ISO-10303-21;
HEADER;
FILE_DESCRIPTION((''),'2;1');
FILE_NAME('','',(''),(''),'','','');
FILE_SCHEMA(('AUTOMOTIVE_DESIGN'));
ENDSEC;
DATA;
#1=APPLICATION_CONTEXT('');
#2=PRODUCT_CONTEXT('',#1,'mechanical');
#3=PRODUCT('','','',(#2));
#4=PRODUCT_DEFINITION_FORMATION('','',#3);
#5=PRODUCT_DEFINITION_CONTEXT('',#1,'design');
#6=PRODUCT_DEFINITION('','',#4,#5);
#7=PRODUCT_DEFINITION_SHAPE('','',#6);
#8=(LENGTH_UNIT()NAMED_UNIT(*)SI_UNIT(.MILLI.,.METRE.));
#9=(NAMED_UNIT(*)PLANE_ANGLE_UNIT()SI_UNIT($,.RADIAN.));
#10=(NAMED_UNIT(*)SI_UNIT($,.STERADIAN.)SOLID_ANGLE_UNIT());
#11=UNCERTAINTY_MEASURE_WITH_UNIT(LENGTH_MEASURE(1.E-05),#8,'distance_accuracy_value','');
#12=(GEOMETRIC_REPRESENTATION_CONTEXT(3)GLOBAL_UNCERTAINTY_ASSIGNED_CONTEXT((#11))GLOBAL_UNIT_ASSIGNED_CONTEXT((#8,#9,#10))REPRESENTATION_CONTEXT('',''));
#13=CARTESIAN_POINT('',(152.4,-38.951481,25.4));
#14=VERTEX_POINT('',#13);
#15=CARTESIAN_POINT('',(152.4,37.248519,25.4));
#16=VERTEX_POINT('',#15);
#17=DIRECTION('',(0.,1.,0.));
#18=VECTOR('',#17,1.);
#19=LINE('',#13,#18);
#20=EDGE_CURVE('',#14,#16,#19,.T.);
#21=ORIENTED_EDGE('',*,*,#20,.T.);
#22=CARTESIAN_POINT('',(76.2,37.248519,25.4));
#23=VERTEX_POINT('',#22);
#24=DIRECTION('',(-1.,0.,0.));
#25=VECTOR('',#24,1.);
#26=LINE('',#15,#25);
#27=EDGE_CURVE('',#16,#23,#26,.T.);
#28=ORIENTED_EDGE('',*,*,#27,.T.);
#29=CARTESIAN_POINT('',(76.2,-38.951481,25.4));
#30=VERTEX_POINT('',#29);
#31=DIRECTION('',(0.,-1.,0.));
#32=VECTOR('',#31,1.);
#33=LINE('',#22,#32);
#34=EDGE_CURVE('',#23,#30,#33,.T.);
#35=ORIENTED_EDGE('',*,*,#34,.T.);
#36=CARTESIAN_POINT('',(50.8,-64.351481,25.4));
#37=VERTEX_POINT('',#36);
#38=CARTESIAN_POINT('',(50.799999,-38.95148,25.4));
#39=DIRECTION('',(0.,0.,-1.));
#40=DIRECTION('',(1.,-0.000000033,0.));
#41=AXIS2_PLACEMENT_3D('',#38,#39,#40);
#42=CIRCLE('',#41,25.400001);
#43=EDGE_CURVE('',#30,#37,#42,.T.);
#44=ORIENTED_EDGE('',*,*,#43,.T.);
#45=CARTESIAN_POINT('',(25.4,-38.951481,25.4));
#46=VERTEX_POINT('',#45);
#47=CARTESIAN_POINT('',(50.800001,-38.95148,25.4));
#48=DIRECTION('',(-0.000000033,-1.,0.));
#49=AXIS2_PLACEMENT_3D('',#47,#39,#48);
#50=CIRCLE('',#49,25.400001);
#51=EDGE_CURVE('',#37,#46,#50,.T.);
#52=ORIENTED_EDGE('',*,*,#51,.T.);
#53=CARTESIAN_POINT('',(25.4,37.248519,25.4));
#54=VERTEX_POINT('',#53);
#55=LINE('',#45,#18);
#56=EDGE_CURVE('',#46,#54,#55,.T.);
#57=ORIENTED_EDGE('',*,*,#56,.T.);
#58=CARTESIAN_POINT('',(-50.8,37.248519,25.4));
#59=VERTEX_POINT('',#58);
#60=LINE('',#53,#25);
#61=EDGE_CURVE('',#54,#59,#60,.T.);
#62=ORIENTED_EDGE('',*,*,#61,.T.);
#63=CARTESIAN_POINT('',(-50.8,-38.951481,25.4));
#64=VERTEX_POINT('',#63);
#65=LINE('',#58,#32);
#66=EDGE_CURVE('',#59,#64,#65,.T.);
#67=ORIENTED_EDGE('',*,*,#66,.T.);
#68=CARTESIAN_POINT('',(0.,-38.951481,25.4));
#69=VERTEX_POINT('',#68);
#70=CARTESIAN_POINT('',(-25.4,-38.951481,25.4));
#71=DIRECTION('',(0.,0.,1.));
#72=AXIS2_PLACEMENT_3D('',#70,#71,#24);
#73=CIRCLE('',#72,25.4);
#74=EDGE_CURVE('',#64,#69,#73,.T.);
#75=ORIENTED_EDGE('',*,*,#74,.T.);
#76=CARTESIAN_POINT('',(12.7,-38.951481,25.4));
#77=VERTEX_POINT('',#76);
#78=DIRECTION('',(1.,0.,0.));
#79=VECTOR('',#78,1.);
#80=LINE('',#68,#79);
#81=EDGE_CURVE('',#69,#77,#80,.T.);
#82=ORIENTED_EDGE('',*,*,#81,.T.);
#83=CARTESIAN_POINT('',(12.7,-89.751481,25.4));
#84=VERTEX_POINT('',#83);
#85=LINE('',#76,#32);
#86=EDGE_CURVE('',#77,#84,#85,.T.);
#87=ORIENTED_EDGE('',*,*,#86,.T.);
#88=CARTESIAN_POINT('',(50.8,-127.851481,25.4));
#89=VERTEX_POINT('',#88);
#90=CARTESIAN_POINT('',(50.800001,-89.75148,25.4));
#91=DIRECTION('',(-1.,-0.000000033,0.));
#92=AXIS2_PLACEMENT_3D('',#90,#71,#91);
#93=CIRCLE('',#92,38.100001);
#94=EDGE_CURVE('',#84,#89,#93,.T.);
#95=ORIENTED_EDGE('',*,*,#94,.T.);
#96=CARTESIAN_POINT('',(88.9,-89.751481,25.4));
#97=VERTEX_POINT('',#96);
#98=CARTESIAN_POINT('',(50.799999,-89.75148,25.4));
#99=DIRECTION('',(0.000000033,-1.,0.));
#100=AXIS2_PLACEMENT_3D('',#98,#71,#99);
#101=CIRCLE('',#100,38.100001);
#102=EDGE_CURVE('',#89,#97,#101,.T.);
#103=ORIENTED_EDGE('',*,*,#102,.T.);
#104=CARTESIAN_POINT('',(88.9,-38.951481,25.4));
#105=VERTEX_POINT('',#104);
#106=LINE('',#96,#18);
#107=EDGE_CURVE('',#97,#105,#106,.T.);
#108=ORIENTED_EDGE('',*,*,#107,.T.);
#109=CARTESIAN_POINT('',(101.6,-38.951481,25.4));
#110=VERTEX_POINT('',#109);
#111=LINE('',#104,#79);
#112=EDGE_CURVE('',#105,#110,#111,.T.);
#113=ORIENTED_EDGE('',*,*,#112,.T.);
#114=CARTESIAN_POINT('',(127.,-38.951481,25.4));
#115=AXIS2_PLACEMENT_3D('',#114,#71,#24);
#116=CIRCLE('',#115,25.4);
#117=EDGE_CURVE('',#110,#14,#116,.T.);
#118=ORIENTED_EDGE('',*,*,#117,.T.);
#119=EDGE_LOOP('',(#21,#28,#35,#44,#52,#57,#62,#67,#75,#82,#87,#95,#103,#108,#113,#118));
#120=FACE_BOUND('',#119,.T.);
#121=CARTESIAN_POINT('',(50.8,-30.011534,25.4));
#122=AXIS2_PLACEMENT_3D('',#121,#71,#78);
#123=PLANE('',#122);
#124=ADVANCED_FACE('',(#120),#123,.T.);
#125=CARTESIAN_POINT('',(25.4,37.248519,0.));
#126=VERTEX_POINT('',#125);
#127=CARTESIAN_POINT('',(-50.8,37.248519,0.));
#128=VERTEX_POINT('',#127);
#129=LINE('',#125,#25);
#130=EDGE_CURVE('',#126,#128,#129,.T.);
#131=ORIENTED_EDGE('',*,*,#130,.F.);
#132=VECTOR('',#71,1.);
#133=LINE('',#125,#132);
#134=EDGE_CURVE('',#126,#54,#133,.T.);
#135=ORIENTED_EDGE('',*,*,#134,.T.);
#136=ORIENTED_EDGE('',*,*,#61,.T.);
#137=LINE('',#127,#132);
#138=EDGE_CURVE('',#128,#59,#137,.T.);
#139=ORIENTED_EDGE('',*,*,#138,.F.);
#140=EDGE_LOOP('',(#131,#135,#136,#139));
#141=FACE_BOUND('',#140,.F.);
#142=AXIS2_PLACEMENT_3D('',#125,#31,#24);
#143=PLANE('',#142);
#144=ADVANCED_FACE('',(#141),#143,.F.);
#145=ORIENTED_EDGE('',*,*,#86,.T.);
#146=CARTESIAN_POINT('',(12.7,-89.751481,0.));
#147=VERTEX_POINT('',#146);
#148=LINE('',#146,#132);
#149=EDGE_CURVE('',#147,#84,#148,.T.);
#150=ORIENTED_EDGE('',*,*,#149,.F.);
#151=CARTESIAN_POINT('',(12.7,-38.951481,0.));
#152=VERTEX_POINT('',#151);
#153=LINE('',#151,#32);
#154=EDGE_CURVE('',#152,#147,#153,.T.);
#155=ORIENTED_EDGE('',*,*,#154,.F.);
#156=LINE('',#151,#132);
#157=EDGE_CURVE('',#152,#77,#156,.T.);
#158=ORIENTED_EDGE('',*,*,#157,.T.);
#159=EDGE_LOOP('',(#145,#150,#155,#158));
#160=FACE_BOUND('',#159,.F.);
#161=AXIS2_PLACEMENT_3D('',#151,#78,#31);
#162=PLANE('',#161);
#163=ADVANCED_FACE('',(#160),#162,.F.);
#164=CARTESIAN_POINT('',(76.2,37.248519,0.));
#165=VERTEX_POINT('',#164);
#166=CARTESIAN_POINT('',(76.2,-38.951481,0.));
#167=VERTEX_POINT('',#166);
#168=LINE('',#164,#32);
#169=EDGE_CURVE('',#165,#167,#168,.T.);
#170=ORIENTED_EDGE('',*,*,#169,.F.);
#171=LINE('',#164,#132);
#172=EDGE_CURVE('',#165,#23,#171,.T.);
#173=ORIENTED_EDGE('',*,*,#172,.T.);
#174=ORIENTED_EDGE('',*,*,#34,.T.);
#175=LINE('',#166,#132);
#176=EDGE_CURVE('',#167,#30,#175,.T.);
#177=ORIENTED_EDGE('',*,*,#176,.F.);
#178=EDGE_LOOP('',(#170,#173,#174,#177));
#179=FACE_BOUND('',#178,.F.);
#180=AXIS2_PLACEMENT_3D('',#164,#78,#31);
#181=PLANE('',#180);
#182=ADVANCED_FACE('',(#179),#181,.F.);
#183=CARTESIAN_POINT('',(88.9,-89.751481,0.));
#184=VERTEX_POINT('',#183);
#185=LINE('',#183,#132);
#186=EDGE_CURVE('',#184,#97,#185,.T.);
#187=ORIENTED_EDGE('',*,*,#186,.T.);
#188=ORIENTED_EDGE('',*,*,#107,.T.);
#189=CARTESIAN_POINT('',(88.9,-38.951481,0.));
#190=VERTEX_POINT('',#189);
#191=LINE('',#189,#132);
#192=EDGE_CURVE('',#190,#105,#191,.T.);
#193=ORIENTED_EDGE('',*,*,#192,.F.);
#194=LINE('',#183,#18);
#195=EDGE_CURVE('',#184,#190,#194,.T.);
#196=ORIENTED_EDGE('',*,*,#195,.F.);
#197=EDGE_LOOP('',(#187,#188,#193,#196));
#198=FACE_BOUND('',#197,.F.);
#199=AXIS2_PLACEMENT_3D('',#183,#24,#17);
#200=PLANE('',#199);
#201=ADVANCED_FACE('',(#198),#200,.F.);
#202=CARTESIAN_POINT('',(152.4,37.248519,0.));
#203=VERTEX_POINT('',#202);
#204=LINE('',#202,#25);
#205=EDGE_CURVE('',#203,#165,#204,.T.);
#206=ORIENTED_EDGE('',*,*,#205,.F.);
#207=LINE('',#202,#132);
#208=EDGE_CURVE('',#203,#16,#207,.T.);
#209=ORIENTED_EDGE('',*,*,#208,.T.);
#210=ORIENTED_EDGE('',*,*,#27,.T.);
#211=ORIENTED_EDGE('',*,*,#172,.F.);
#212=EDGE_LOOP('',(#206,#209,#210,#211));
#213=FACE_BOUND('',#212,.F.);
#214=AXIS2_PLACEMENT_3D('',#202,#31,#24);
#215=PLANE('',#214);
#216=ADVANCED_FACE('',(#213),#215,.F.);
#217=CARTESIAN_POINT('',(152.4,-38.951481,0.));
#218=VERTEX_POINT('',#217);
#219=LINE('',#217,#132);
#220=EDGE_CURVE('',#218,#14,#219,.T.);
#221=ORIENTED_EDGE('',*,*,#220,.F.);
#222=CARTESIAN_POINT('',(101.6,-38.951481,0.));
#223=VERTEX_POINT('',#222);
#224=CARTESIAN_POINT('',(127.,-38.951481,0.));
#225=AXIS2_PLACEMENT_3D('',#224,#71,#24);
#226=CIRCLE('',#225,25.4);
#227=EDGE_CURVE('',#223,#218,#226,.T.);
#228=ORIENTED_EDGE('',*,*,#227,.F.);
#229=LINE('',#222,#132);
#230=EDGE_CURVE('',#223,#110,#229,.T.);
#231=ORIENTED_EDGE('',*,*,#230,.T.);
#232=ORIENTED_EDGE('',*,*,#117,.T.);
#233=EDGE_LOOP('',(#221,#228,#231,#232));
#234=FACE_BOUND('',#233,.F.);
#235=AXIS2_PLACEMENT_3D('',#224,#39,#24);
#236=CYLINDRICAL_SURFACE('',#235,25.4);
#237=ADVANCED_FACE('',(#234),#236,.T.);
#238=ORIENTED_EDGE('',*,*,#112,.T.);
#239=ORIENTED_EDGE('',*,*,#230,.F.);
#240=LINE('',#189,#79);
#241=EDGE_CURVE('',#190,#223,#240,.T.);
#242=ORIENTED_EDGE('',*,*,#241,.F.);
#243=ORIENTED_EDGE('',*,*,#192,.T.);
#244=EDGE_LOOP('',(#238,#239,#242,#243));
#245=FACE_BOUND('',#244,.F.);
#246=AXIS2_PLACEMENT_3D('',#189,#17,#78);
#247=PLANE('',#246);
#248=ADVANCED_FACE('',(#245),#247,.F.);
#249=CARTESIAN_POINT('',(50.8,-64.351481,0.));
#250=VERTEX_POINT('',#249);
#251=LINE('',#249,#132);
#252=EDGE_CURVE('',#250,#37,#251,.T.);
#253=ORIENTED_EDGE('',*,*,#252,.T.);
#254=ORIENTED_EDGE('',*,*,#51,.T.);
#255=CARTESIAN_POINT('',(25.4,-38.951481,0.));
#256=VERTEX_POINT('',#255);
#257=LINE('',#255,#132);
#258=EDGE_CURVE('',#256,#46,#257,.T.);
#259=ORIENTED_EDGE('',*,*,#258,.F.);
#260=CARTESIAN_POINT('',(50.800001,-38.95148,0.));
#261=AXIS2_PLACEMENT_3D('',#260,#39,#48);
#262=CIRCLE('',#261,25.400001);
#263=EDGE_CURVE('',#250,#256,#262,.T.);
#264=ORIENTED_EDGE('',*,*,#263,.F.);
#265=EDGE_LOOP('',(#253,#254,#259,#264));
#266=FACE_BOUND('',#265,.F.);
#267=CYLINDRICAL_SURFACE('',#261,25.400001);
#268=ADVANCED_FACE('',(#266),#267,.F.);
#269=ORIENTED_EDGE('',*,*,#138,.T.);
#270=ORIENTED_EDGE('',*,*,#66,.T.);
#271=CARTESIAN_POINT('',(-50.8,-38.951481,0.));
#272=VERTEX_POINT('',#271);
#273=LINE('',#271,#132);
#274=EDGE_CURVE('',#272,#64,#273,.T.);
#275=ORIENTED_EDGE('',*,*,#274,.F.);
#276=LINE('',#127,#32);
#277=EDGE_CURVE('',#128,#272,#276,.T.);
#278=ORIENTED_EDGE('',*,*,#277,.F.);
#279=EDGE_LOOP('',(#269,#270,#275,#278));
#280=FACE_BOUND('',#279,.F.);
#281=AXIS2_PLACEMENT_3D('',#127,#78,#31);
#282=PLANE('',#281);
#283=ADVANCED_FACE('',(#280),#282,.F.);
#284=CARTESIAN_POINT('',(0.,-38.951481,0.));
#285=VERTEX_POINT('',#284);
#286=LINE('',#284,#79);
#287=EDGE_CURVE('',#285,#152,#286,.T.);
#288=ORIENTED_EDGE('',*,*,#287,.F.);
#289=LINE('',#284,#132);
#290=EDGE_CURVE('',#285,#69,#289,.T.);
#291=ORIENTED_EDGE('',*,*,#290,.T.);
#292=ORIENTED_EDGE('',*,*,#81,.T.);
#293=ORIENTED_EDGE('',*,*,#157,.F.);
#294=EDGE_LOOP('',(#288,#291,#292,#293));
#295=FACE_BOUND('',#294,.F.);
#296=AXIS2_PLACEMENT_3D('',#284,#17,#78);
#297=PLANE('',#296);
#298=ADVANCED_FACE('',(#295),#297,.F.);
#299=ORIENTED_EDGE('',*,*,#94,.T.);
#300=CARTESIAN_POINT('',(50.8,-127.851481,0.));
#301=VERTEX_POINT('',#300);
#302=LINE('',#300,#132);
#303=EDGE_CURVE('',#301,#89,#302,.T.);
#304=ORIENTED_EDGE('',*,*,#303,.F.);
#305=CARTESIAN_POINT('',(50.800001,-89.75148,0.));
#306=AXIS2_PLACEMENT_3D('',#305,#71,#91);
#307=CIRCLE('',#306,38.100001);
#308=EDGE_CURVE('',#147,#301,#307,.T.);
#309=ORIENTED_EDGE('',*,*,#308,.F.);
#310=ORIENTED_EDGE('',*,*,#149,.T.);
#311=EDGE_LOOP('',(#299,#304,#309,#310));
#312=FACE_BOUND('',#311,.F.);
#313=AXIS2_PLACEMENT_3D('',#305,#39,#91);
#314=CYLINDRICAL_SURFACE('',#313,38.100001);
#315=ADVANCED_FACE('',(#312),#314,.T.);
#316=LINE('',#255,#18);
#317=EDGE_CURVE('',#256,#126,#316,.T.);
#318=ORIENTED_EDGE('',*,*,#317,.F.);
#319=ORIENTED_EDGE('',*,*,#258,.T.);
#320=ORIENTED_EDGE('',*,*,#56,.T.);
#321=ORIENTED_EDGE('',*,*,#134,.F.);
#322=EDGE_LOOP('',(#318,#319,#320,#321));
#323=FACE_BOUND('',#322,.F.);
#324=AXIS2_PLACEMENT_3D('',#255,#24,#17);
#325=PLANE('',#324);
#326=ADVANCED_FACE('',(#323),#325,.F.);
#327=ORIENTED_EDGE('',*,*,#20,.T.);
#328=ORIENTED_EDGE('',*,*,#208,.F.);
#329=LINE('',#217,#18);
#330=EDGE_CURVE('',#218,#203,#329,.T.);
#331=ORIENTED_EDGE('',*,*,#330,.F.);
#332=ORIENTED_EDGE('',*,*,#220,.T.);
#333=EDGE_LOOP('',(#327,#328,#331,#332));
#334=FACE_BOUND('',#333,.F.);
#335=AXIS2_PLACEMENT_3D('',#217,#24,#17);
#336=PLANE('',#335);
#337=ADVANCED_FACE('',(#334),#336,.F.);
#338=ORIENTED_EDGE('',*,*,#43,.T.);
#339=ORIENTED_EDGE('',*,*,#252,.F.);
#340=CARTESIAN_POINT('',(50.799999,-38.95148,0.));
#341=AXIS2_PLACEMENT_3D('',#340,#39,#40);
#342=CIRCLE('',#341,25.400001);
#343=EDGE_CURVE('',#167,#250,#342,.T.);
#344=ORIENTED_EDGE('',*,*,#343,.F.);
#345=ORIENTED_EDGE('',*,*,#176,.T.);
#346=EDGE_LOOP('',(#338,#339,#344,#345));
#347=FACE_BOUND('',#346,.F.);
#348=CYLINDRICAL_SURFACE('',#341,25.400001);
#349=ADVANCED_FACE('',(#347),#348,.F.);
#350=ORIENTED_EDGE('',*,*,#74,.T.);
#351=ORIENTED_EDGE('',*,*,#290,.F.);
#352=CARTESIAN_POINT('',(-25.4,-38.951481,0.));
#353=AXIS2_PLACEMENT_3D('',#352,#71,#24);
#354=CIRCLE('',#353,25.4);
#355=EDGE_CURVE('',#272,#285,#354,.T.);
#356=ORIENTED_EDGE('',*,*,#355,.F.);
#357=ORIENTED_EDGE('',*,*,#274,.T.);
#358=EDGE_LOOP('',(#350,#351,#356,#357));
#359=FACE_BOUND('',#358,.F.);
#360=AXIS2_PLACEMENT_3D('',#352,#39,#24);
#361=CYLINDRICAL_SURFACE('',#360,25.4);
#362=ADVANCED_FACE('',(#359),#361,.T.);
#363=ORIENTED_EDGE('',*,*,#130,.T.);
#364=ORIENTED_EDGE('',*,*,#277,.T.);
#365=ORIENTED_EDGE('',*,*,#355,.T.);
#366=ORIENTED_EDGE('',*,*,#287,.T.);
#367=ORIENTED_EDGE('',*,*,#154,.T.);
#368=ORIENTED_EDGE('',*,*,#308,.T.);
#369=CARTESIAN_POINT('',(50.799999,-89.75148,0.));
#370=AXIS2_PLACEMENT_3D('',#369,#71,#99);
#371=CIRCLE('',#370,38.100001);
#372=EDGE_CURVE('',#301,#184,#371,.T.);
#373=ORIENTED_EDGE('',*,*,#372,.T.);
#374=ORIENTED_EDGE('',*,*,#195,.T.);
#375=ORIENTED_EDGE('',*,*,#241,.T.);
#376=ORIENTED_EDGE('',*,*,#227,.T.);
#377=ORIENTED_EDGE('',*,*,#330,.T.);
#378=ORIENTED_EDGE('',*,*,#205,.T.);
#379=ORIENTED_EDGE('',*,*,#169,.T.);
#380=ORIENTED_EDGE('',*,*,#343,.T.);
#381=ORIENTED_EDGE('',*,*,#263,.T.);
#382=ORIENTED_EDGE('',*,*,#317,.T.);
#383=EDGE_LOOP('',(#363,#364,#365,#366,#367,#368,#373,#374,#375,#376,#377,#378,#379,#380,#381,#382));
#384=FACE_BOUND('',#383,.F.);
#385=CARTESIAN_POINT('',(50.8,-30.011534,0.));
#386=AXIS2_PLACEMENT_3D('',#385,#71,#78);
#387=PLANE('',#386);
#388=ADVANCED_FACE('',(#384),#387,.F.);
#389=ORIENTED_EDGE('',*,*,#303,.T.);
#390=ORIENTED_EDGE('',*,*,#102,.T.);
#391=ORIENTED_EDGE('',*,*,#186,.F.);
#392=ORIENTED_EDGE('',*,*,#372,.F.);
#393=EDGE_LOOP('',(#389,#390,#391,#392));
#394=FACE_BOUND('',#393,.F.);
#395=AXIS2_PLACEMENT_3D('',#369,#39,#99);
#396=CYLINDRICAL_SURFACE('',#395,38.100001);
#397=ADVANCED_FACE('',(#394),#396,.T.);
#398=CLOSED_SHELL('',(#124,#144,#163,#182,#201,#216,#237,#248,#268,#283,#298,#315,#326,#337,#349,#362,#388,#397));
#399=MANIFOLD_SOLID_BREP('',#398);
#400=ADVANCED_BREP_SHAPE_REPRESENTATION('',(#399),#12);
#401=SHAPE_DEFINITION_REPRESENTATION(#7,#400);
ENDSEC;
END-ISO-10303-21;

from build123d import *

# Parameters (mm, degrees)
F1_DEPTH = 25.4


with BuildPart() as f1:
    # F0 (on Top) → F1 (new body)
    with BuildSketch(Plane.XY):
        with BuildLine():
            Line((25.4, 37.248519), (-50.8, 37.248519))
            Line((-50.8, 37.248519), (-50.8, -38.951481))
            ThreePointArc((-50.8, -38.951481), (-25.4, -64.351481), (0, -38.951481))
            Line((0, -38.951481), (12.7, -38.951481))
            Line((12.7, -38.951481), (12.7, -89.751481))
            ThreePointArc((12.7, -89.751481), (23.859232, -116.692249), (50.8, -127.851481))
            ThreePointArc((50.8, -127.851481), (77.740768, -116.692249), (88.9, -89.751481))
            Line((88.9, -89.751481), (88.9, -38.951481))
            Line((88.9, -38.951481), (101.6, -38.951481))
            ThreePointArc((101.6, -38.951481), (127, -64.351481), (152.4, -38.951481))
            Line((152.4, -38.951481), (152.4, 37.248519))
            Line((152.4, 37.248519), (76.2, 37.248519))
            Line((76.2, 37.248519), (76.2, -38.951481))
            ThreePointArc((76.2, -38.951481), (68.760512, -56.911993), (50.8, -64.351481))
            ThreePointArc((50.8, -64.351481), (32.839488, -56.911993), (25.4, -38.951481))
            Line((25.4, -38.951481), (25.4, 37.248519))
        make_face()
    extrude(amount=F1_DEPTH)


solid = f1.part
